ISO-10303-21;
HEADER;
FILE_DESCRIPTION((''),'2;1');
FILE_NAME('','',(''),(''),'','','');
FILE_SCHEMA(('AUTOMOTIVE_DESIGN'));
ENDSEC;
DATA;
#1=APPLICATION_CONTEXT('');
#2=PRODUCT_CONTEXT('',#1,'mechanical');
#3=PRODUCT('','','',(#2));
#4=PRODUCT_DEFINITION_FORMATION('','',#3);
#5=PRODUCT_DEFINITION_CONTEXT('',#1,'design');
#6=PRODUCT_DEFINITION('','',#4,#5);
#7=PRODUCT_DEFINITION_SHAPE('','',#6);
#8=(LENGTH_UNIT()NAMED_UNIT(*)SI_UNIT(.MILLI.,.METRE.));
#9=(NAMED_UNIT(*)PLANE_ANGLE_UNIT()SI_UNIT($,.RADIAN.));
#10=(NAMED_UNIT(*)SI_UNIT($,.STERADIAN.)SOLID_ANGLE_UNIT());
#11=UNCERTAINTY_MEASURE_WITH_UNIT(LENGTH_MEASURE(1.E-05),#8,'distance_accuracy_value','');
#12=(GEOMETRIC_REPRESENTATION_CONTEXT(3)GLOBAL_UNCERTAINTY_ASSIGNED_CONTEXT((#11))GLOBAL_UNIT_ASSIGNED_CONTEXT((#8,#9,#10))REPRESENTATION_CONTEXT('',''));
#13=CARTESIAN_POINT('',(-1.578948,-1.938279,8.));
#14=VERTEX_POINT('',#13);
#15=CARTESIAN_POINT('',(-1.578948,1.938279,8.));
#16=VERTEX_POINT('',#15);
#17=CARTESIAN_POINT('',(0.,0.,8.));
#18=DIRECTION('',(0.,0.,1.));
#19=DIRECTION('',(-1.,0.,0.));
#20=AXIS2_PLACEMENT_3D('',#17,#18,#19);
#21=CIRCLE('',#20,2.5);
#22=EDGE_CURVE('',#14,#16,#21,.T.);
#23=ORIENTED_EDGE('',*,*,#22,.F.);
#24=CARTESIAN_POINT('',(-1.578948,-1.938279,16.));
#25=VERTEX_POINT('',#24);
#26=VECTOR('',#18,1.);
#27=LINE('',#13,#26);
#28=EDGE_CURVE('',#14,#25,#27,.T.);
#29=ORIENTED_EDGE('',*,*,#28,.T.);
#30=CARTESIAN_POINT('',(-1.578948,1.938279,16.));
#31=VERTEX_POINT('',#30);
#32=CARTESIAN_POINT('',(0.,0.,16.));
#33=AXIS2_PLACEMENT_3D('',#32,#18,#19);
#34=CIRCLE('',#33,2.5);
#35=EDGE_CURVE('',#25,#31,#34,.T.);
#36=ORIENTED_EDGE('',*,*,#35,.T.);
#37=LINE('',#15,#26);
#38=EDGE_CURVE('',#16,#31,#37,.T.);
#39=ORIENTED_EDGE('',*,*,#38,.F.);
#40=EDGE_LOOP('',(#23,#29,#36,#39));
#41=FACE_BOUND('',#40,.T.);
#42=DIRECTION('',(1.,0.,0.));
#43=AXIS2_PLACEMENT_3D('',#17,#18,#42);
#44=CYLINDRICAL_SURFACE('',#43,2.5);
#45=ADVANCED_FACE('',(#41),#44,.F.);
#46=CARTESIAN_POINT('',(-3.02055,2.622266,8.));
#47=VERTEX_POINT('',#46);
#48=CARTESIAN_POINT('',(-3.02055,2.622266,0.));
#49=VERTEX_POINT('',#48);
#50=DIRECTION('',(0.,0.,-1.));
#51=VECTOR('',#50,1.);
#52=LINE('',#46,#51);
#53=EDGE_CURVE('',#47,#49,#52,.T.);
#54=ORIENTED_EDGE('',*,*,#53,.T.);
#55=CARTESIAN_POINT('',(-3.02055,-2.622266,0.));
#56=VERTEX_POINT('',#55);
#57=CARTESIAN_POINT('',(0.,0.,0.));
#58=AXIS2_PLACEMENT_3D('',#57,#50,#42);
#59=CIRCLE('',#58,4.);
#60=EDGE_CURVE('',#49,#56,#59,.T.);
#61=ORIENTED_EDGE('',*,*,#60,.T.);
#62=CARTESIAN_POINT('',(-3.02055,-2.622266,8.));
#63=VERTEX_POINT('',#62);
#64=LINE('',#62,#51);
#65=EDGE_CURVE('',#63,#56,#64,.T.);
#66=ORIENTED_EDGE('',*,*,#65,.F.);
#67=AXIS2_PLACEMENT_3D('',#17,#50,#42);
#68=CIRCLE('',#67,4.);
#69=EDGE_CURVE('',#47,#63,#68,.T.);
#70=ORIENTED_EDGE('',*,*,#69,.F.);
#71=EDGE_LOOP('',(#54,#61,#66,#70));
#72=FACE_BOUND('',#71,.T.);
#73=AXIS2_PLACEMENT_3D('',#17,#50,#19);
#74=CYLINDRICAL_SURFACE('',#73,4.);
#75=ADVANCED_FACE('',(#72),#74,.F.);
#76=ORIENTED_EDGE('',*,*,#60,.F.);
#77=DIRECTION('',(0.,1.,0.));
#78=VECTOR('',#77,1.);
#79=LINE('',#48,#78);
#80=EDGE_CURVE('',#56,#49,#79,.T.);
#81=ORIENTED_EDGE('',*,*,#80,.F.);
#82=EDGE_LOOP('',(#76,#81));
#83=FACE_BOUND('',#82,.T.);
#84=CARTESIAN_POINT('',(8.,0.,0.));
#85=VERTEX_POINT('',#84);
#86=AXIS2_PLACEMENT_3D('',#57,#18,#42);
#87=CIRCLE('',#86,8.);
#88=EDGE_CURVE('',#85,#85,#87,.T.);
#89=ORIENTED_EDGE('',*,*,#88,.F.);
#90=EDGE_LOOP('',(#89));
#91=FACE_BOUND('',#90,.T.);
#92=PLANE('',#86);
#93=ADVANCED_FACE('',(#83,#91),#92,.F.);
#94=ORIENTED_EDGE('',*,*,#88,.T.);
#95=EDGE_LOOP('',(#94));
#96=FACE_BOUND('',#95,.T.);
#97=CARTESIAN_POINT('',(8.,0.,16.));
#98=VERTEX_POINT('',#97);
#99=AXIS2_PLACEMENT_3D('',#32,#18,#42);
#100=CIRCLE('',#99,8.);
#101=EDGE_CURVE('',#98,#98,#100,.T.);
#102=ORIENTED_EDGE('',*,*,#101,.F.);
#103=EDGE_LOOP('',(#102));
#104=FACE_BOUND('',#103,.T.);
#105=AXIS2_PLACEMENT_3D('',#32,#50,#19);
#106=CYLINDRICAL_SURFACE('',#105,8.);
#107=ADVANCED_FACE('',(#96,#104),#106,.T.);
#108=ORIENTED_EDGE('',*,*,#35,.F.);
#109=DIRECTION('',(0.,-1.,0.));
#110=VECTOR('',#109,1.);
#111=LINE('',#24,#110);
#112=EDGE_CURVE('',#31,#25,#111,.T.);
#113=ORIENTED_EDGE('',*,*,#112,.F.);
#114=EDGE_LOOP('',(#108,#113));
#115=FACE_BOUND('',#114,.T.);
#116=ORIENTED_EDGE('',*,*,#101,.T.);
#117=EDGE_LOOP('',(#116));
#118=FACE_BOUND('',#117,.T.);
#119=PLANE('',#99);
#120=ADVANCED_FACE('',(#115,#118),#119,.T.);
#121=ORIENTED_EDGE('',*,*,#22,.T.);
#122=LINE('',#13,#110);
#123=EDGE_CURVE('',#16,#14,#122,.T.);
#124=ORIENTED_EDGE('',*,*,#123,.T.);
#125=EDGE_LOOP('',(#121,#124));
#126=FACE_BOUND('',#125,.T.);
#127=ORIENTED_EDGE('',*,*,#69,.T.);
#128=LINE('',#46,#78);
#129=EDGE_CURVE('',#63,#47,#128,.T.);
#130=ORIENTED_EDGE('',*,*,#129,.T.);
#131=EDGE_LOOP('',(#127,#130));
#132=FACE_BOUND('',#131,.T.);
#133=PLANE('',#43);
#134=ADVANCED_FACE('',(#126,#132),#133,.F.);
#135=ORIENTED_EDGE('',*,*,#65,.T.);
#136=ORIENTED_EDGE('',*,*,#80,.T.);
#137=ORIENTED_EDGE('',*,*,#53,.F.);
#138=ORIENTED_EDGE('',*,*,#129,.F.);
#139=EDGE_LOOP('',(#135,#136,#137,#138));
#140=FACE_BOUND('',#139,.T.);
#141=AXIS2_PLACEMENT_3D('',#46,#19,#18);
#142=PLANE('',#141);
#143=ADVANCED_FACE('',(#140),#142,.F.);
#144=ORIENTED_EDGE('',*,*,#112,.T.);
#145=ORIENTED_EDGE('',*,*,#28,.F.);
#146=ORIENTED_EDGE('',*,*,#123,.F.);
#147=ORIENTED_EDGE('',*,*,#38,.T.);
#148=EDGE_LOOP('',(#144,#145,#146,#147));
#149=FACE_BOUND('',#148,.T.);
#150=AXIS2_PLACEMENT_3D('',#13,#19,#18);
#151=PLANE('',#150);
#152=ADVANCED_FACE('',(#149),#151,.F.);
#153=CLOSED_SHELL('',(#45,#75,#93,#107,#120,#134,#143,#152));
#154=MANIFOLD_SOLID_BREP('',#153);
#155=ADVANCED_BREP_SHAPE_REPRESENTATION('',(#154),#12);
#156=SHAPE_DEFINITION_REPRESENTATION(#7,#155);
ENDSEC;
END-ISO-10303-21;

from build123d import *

# Parameters (mm, degrees)
SKETCH_1_R          = 8
EXTRUDE_1_DEPTH     = 16
CUT_EXTRUDE_1_DEPTH = 8
CUT_EXTRUDE_2_DEPTH = 8


with BuildPart() as part:
    # 草图1 → 凸台-拉伸1 (new body)
    with BuildSketch(Plane.XY):
        Circle(SKETCH_1_R)
    extrude(amount=EXTRUDE_1_DEPTH)

    # 草图2 → 切除-拉伸1 (cut)
    with BuildSketch(Plane(origin=(0, 0, 0), x_dir=(-1, 0, 0), z_dir=(0, 0, -1))):
        with BuildLine():
            Line((3.020550217, 2.622265506), (3.020550217, -2.622265506))
            ThreePointArc((3.020550217, -2.622265506), (-4, 0), (3.020550217, 2.622265506))
        make_face()
    extrude(amount=-CUT_EXTRUDE_1_DEPTH, mode=Mode.SUBTRACT)

    # 草图3 → 切除-拉伸2 (cut)
    with BuildSketch(Plane.XY.offset(16)):
        with BuildLine():
            Line((-1.578947526, -1.938278801), (-1.578947526, 1.938278801))
            ThreePointArc((-1.578947526, 1.938278801), (2.5, 0), (-1.578947526, -1.938278801))
        make_face()
    extrude(amount=-CUT_EXTRUDE_2_DEPTH, mode=Mode.SUBTRACT)


solid = part.part
